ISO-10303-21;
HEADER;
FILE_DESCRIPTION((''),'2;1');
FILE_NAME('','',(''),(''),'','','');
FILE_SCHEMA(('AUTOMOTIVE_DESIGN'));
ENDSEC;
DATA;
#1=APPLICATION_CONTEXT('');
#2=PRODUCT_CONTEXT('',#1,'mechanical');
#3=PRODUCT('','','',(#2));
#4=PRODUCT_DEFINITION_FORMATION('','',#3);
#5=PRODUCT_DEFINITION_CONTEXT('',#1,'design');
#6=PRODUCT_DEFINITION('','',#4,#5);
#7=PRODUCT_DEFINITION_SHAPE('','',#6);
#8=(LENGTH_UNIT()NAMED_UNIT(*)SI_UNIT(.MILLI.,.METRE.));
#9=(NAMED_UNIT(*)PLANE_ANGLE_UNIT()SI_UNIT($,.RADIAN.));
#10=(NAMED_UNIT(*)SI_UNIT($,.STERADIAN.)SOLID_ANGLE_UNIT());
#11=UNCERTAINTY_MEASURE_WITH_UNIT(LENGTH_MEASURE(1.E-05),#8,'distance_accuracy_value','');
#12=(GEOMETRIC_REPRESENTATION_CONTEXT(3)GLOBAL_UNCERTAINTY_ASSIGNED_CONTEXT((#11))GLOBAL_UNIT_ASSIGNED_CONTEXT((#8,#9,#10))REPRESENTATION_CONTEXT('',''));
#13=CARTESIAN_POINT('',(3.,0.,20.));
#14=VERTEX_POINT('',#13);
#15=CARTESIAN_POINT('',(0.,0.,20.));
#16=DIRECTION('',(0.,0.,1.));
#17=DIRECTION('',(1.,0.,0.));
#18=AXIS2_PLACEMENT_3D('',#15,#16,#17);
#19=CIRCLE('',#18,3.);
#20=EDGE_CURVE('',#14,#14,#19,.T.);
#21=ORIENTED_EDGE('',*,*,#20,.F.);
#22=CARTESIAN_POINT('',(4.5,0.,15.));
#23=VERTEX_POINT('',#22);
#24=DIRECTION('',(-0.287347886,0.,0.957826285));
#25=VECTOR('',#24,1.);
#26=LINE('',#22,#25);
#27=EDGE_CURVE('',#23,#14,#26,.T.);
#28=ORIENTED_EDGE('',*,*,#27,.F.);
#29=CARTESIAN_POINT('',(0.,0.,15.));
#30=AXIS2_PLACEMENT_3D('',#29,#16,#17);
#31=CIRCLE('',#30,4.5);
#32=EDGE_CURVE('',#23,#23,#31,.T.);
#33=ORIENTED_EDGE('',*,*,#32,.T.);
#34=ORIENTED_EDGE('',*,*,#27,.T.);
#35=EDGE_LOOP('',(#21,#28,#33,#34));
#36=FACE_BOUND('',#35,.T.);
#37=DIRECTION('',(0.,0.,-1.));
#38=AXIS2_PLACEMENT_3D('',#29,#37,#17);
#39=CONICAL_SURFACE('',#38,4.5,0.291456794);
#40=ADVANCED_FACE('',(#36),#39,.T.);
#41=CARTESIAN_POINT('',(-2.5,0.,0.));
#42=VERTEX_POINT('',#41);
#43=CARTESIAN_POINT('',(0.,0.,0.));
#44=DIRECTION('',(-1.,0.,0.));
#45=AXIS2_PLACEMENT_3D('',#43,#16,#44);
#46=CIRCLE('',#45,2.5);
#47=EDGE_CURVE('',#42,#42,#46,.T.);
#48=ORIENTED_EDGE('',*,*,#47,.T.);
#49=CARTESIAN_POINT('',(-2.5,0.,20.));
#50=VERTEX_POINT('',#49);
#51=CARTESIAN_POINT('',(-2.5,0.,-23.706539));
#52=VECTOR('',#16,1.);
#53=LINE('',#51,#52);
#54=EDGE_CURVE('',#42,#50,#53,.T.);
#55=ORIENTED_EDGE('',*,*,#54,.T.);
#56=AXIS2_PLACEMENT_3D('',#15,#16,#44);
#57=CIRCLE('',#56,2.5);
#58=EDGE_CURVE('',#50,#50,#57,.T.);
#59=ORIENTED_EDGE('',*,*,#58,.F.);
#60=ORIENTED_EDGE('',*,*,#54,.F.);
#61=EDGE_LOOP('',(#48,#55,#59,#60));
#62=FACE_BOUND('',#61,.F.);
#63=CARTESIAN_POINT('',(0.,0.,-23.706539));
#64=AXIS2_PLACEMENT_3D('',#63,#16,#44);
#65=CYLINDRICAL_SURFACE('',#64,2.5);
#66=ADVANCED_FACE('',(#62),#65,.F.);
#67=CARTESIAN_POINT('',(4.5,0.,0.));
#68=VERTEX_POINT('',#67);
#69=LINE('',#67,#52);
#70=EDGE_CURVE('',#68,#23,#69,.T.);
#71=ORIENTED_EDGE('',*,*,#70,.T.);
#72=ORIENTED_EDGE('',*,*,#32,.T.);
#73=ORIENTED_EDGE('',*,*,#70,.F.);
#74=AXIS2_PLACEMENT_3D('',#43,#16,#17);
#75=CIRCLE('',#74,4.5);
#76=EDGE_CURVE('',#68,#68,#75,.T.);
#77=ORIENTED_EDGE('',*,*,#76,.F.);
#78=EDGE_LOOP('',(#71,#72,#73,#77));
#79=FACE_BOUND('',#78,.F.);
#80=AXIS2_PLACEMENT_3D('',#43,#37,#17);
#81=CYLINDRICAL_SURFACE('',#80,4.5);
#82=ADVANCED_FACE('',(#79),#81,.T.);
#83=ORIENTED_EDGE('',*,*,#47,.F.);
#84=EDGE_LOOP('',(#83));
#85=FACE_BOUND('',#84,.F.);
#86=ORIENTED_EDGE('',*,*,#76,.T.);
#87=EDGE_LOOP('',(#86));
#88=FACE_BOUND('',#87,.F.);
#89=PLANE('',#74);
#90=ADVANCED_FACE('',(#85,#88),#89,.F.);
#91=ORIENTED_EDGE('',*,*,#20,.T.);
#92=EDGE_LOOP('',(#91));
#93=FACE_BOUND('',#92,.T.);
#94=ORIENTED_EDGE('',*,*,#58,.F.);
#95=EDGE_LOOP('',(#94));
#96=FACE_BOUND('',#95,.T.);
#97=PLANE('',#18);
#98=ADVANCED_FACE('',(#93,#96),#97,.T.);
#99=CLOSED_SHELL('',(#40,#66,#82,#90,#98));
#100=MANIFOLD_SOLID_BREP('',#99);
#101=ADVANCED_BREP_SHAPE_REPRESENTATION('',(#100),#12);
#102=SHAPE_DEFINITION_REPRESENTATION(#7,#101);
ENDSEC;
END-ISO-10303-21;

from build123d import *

# Parameters (mm, degrees)
F0_R     = 4.5
F1_DEPTH = 20
F2_SIZE2 = 1.5
F2_SIZE  = 5
F3_D     = 5


with BuildPart() as f1:
    # F0 (on Top) → F1 (new body)
    with BuildSketch(Plane.XY):
        Circle(F0_R)
    extrude(amount=F1_DEPTH)

    # F2
    f2_edges = [f1.edges().sort_by_distance(p)[0] for p in [
        (-4.5, 0, 20),
    ]]
    f2_side = f1.faces().sort_by_distance((-4.5, 0, 10))[0]
    chamfer(f2_edges, length=F2_SIZE, length2=F2_SIZE2, reference=f2_side)

    # F3 (through all)
    with Locations(Plane(origin=(0, 0, 0), x_dir=(1, 0, 0), z_dir=(0, 0, -1))):
        with Locations((0, 0)):
            Hole(F3_D / 2)


solid = f1.part
